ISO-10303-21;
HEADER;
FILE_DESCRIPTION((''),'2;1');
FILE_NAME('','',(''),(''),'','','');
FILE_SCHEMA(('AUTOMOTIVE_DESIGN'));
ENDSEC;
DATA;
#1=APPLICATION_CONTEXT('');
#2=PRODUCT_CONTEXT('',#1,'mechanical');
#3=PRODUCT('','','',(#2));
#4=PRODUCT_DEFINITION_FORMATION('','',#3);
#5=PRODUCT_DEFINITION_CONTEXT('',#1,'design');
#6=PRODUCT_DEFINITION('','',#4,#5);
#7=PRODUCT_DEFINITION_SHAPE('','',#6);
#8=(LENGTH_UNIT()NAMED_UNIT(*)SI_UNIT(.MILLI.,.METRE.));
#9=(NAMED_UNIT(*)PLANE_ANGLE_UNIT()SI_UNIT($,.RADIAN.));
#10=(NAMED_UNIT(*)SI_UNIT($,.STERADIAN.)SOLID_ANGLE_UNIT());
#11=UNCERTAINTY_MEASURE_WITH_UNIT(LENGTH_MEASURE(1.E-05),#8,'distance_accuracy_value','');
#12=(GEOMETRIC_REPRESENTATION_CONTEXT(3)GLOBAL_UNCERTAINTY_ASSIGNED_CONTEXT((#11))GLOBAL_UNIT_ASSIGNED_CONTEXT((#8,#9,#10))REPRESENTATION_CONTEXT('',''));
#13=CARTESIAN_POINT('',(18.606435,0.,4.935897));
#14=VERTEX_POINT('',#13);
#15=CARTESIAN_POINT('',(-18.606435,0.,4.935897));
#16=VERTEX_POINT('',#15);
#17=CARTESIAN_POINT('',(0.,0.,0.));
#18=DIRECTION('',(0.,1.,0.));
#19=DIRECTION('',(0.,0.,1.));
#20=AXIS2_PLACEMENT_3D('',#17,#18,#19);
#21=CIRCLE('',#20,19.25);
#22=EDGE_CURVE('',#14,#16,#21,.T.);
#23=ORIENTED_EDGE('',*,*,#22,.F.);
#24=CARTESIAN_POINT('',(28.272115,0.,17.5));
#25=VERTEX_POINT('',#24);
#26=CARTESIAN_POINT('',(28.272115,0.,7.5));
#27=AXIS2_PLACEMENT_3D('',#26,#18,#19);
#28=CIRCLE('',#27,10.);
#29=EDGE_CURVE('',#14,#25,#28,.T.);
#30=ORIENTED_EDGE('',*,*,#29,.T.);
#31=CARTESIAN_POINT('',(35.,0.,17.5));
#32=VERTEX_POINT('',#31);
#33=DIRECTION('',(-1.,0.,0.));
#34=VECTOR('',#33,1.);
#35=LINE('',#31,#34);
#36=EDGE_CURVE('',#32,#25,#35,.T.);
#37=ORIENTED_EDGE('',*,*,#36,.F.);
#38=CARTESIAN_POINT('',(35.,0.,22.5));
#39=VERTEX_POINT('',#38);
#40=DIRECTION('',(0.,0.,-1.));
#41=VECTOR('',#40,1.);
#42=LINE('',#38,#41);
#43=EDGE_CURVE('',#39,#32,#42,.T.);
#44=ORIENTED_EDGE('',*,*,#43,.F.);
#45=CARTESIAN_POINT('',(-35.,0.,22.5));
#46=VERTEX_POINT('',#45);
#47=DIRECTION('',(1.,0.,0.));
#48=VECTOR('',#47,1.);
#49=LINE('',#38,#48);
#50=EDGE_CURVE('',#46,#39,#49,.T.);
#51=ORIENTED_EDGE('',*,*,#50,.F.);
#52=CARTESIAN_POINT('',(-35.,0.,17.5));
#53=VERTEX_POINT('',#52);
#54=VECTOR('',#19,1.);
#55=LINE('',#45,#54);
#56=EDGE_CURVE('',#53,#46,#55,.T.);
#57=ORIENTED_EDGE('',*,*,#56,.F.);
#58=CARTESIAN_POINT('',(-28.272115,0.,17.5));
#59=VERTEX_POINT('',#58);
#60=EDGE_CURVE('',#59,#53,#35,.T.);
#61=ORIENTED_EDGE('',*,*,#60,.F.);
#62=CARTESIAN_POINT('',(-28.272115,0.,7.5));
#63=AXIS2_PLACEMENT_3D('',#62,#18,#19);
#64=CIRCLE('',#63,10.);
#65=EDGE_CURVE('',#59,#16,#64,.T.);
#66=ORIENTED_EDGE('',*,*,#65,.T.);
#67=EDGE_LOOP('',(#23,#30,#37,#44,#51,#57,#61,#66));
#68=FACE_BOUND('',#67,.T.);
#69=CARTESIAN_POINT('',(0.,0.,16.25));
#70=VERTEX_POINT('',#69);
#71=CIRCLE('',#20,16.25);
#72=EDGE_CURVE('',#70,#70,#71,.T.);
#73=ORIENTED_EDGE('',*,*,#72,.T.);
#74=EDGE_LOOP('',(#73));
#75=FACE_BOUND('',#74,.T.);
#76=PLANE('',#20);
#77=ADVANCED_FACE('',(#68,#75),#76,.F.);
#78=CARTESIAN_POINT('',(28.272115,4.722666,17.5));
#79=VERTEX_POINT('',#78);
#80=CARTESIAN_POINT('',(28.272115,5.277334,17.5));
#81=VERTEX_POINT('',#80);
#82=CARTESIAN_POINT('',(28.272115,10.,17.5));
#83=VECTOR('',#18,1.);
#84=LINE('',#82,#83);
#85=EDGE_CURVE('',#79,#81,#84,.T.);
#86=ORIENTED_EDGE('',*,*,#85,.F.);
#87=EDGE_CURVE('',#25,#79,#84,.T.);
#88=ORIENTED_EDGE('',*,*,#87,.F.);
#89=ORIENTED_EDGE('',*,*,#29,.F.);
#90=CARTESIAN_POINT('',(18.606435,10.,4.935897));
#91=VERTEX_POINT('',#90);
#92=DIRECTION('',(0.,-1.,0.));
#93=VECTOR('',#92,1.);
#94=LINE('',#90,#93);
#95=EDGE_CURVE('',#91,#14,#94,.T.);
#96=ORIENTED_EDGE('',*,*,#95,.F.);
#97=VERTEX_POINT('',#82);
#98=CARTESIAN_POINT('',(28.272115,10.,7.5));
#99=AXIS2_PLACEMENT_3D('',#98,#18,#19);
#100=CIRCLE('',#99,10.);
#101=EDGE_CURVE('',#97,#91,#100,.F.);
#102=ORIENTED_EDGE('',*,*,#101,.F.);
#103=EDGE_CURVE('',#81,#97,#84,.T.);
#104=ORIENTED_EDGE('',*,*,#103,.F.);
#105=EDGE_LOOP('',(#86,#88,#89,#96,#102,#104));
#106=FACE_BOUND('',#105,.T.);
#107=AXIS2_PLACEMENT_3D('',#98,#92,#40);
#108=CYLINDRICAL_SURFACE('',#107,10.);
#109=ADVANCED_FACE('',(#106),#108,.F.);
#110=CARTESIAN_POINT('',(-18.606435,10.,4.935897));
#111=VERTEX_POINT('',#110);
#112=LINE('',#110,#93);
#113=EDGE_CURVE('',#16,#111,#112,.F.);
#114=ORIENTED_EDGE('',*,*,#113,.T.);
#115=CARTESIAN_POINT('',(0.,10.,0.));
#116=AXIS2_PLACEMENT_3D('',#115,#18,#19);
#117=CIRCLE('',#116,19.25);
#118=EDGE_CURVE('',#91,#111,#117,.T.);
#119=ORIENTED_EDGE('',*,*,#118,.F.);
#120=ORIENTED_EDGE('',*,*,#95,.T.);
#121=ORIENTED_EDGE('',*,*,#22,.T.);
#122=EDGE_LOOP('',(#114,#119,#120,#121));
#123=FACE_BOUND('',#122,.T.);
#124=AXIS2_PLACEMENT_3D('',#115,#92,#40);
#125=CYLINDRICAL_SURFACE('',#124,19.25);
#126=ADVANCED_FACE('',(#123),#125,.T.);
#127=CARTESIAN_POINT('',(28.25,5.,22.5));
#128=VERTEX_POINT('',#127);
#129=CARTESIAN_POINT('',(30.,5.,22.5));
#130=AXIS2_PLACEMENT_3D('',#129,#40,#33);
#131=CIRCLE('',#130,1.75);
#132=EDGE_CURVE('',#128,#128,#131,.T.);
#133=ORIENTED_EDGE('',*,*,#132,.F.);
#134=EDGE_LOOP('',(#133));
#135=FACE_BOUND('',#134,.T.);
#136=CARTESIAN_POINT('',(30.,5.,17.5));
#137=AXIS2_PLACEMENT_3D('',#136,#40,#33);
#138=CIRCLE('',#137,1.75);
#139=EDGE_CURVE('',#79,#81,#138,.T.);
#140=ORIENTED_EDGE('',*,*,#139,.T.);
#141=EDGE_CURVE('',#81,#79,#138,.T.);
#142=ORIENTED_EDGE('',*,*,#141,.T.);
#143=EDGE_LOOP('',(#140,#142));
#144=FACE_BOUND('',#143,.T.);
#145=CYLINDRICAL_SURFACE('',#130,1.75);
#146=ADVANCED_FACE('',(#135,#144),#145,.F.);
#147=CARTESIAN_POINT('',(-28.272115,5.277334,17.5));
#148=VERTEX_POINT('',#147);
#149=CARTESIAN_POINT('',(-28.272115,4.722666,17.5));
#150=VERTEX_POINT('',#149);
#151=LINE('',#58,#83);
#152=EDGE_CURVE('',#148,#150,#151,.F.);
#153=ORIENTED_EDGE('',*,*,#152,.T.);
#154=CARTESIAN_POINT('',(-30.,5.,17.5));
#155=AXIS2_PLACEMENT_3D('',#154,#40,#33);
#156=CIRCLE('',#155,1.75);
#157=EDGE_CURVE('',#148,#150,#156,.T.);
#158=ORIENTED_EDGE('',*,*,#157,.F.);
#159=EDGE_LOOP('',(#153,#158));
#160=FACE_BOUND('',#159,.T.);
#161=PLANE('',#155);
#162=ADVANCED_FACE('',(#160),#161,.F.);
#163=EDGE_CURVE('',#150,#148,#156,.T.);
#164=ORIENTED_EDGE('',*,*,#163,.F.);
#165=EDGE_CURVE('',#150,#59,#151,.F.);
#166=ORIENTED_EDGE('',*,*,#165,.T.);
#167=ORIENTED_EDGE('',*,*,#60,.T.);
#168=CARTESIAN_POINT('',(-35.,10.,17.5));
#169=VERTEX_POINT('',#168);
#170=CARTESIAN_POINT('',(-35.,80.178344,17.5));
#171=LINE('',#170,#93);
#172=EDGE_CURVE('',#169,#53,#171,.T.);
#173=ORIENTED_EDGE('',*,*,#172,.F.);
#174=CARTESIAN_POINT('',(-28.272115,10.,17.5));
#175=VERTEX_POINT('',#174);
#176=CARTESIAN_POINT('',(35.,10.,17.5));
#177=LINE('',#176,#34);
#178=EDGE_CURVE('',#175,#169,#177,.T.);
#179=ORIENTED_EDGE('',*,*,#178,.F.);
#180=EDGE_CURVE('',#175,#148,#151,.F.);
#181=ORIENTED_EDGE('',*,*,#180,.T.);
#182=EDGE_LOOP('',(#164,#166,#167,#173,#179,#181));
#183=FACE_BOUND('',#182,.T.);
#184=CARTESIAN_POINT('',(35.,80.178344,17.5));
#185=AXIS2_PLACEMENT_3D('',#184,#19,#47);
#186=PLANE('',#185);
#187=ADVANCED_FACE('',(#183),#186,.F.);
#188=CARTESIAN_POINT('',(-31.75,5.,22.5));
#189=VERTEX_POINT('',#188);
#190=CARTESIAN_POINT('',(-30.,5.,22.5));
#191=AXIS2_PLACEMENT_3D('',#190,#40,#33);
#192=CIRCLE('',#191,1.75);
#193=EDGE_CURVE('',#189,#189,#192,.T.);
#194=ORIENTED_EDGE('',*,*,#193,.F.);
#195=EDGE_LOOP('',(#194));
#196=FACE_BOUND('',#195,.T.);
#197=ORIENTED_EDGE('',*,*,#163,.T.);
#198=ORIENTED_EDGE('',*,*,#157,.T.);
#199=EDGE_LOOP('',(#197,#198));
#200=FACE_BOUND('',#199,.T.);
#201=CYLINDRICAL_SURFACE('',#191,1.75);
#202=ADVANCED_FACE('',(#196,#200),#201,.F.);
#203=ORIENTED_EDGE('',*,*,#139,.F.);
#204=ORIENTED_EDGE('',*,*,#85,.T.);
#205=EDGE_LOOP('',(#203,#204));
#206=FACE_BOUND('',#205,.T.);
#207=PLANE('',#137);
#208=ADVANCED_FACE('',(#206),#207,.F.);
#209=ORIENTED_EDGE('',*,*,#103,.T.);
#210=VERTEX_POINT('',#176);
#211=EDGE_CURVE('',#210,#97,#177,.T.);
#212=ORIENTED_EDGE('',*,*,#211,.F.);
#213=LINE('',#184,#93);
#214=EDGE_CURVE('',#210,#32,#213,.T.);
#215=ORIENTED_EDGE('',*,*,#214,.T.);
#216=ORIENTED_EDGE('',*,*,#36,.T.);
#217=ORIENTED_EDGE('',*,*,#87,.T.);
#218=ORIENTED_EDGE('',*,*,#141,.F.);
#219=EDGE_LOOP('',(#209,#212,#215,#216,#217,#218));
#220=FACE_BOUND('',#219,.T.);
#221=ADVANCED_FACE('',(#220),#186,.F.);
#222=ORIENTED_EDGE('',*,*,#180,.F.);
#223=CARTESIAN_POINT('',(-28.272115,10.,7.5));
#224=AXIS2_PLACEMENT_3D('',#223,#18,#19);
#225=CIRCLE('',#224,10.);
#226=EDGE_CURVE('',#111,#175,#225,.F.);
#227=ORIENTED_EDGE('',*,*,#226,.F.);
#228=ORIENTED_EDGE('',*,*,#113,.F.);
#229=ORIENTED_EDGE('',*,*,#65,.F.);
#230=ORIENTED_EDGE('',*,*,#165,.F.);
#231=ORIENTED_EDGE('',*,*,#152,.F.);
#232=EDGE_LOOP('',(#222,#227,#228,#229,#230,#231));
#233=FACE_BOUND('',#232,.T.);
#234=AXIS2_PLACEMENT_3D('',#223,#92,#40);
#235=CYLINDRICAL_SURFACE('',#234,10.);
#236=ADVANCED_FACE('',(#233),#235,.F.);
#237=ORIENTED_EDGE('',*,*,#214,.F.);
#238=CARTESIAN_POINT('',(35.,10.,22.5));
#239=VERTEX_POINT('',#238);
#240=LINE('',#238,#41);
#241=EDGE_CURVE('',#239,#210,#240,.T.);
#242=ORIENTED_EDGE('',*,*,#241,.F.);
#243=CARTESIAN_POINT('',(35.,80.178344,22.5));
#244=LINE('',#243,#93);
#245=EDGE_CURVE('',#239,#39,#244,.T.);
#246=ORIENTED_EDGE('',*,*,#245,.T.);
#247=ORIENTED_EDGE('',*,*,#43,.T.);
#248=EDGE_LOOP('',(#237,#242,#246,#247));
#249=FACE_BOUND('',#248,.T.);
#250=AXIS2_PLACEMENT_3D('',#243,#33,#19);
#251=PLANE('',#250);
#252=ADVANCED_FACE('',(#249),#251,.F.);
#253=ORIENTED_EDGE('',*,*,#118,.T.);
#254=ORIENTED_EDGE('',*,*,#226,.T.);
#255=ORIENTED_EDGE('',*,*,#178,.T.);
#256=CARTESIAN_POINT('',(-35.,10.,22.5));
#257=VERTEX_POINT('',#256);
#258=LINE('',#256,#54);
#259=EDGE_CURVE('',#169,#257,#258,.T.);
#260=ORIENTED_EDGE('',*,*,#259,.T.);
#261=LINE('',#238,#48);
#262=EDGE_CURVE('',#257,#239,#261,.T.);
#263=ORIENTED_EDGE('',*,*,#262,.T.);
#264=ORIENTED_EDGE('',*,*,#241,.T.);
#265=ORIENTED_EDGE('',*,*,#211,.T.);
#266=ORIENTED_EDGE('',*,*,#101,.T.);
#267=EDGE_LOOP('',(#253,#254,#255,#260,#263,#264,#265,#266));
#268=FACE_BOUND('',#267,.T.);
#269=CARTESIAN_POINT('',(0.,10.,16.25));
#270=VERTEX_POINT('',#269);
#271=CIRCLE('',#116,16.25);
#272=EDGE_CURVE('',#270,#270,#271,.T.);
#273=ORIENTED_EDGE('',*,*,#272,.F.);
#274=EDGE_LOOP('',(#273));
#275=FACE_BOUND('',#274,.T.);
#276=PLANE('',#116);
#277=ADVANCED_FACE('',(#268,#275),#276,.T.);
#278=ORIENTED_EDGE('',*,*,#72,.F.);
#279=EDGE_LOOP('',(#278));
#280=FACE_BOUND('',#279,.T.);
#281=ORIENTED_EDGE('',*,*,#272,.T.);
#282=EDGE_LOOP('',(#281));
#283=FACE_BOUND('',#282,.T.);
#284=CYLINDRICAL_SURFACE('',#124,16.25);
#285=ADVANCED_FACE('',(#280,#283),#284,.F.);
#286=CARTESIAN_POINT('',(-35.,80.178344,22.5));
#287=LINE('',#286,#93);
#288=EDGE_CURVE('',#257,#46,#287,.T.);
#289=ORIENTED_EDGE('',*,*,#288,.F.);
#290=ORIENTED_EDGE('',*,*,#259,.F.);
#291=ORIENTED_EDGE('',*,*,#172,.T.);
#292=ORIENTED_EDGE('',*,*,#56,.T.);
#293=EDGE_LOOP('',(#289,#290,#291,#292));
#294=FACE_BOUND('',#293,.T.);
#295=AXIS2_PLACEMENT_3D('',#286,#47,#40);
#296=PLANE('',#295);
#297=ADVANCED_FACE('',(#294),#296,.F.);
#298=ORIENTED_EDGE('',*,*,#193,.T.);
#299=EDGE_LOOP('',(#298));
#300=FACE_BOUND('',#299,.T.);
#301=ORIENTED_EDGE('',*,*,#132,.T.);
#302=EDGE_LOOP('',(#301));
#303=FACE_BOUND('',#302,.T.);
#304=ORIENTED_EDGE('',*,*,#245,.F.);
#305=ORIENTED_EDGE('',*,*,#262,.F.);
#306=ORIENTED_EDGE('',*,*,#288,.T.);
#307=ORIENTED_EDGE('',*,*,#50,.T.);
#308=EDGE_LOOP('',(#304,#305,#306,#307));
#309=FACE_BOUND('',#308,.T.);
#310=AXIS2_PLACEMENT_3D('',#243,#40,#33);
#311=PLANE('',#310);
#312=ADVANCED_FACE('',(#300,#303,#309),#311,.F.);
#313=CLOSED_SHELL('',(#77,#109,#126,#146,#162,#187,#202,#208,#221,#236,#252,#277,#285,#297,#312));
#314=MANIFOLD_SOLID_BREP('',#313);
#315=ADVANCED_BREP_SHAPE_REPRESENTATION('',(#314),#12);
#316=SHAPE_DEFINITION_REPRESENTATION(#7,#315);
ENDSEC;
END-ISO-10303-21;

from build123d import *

# Parameters (mm, degrees)
SKETCH1_R           = 19.25
SKETCH1_R_2         = 16.25
BOSS_EXTRUDE1_DEPTH = 10
SKETCH2_W           = 70
SKETCH2_H           = 5
BOSS_EXTRUDE2_DEPTH = 10
FILLET1_R           = 10
SKETCH3_R           = 1.75
CUT_EXTRUDE1_DEPTH  = 52.725839771


with BuildPart() as part:
    # Sketch1 → Boss-Extrude1 (new body)
    with BuildSketch(Plane(origin=(0, 0, 0), x_dir=(1, 0, 0), z_dir=(0, 1, 0))):
        with Locations(Location((0, 0, 0), (0, 0, 270))):
            Circle(SKETCH1_R)
        with Locations(Location((0, 0, 0), (0, 0, 270))):
            Circle(SKETCH1_R_2, mode=Mode.SUBTRACT)
    extrude(amount=BOSS_EXTRUDE1_DEPTH)

    # Sketch2 → Boss-Extrude2 (add)
    with BuildSketch(Plane(origin=(0, 0, 0), x_dir=(1, 0, 0), z_dir=(0, 1, 0))):
        with Locations((0, -20)):
            Rectangle(SKETCH2_W, SKETCH2_H)
    extrude(amount=BOSS_EXTRUDE2_DEPTH)

    # Fillet1
    fillet1_edges = [part.edges().sort_by_distance(p)[0] for p in [
        (8.019507466, 5, 17.5),
        (-8.019507466, 5, 17.5),
    ]]
    fillet(fillet1_edges, radius=FILLET1_R)

    # Sketch3 → Cut-Extrude1 (cut, through all)
    with BuildSketch(Plane(origin=(0, 0, 17.5), x_dir=(-1, 0, 0), z_dir=(0, 0, -1))):
        with Locations((30, 5)):
            Circle(SKETCH3_R)
        with Locations((-30, 5)):
            Circle(SKETCH3_R)
    extrude(amount=-CUT_EXTRUDE1_DEPTH, mode=Mode.SUBTRACT)


solid = part.part
